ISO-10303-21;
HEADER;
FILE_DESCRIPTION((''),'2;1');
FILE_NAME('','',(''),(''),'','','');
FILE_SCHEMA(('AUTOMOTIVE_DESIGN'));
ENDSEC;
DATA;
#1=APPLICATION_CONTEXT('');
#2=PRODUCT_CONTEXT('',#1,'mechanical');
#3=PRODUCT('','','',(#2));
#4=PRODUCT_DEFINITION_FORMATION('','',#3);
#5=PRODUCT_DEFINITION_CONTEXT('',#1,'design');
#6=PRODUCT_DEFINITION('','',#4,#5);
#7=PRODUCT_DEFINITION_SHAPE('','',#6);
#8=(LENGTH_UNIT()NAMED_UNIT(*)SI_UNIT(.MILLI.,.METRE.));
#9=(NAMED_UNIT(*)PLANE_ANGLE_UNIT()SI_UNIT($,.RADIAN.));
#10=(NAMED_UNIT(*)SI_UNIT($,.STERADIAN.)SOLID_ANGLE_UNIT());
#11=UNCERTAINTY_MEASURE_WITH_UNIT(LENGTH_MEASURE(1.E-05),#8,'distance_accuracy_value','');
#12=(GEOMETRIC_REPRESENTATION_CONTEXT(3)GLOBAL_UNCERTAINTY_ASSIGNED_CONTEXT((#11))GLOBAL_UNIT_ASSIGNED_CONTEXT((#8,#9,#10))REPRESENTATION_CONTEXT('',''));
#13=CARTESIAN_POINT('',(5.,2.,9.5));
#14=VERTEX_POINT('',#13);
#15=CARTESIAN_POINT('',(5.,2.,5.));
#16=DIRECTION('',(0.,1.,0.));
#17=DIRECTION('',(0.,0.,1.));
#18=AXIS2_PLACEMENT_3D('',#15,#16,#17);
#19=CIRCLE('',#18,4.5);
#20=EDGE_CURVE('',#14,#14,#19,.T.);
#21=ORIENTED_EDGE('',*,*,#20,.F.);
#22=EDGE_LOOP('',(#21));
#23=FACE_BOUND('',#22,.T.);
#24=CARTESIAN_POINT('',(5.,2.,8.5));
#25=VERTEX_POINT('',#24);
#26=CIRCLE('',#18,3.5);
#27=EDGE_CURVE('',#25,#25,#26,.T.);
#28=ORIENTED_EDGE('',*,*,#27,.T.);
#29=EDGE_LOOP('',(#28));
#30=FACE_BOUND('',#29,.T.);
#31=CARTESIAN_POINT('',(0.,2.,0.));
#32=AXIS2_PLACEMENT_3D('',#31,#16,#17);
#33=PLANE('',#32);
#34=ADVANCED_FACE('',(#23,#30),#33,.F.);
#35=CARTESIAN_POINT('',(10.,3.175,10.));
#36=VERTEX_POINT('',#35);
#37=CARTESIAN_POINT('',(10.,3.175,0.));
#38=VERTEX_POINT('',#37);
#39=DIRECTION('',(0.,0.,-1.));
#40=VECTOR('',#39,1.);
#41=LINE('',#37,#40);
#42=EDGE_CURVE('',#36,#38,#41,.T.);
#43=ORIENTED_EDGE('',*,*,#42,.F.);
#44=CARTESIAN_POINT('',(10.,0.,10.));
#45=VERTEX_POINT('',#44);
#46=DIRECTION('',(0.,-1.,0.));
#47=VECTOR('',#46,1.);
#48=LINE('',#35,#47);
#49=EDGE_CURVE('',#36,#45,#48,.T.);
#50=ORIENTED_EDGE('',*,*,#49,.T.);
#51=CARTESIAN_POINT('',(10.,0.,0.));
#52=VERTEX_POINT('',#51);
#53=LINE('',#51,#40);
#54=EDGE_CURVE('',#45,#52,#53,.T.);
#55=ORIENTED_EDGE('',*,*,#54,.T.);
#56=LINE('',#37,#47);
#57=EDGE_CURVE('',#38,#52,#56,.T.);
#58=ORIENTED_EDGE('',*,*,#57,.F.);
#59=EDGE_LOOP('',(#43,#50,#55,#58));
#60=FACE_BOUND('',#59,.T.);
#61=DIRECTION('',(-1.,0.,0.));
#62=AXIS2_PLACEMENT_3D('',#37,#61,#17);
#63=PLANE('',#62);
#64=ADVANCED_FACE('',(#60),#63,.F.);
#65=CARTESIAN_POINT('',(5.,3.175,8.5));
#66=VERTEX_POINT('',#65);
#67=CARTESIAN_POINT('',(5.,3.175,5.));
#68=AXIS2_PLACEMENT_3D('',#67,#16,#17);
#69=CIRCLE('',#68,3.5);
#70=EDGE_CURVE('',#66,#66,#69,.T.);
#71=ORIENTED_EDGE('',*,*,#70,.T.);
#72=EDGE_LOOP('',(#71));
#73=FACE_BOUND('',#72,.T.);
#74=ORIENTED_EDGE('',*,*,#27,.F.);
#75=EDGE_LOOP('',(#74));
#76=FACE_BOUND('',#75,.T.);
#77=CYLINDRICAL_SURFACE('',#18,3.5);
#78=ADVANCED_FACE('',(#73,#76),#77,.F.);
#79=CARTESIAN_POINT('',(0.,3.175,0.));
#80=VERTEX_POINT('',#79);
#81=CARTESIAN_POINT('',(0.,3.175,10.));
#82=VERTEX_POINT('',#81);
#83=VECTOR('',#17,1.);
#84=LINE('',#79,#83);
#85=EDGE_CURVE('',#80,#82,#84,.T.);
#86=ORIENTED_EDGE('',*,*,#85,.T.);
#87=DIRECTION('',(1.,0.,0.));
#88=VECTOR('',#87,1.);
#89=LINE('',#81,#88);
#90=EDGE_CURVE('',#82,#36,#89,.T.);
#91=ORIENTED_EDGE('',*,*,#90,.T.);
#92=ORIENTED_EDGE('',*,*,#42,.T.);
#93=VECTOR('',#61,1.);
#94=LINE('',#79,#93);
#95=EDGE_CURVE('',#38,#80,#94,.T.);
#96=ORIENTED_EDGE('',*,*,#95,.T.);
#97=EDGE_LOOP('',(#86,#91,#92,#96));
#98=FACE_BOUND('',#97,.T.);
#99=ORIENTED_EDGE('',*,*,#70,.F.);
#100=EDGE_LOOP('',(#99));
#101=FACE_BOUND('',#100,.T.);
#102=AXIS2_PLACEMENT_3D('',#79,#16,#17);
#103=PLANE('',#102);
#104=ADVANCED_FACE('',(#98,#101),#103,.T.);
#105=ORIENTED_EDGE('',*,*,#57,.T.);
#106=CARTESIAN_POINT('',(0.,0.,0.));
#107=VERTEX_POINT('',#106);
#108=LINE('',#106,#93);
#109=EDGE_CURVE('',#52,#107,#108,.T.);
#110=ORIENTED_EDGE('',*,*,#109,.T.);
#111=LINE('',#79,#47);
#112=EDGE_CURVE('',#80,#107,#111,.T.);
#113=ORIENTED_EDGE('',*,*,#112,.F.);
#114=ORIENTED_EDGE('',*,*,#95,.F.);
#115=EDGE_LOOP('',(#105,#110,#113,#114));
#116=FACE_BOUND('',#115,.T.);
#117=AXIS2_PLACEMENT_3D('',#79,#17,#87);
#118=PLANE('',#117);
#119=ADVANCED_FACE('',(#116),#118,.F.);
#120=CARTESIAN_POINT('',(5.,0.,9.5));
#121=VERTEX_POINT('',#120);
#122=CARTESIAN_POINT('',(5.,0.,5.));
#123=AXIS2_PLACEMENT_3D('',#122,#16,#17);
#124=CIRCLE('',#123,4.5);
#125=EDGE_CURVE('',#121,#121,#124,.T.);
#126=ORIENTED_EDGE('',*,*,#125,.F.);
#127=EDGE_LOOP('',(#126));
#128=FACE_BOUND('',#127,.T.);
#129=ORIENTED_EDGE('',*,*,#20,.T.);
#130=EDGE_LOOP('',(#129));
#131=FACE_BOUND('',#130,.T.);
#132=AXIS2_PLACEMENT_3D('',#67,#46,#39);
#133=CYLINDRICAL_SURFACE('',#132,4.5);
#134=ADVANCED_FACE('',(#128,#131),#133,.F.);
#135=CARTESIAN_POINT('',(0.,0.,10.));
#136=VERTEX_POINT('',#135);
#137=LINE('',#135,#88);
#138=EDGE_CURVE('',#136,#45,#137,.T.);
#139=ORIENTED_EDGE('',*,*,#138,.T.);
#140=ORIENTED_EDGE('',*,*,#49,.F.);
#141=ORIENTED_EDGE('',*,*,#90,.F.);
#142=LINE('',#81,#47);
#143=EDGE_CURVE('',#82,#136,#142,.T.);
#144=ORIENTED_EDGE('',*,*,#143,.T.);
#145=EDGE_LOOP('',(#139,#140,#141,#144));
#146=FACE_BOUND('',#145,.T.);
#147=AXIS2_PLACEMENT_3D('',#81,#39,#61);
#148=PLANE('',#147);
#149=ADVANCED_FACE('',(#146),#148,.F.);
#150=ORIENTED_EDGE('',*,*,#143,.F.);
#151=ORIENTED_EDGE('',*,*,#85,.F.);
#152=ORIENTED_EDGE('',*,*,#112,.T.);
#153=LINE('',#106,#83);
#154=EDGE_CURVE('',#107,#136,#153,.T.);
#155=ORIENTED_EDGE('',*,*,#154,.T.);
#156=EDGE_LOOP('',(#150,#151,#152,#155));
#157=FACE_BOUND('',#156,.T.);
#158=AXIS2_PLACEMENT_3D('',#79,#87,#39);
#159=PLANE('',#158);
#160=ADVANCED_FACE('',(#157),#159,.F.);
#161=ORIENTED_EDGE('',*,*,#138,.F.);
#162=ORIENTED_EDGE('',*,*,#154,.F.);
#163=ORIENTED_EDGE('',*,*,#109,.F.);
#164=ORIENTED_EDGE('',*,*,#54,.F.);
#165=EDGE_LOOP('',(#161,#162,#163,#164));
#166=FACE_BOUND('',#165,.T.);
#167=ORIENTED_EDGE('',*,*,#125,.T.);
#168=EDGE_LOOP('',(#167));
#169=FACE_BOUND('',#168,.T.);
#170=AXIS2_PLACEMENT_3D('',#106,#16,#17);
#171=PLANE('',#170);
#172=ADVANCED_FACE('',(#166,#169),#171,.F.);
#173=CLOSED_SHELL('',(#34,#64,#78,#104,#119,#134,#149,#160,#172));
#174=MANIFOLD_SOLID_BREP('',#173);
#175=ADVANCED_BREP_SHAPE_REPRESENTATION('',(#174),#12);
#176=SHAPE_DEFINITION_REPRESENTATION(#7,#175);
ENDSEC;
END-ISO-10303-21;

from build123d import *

# Parameters (mm, degrees)
SKETCH1_W           = 10
SKETCH1_H           = 10
SKETCH1_R           = 4.5
BOSS_EXTRUDE1_DEPTH = 3.175
SKETCH2_W           = 10
SKETCH2_H           = 10
SKETCH2_R           = 3.5
BOSS_EXTRUDE2_DEPTH = 1.175


with BuildPart() as part:
    # Sketch1 → Boss-Extrude1 (new body)
    with BuildSketch(Plane(origin=(0, 0, 0), x_dir=(1, 0, 0), z_dir=(0, 1, 0))):
        with Locations((5, -5)):
            Rectangle(SKETCH1_W, SKETCH1_H)
        with Locations((5, -5)):
            Circle(SKETCH1_R, mode=Mode.SUBTRACT)
    extrude(amount=BOSS_EXTRUDE1_DEPTH)

    # Sketch2 → Boss-Extrude2 (add)
    with BuildSketch(Plane(origin=(0, 3.175, 0), x_dir=(1, 0, 0), z_dir=(0, 1, 0))):
        with Locations((5, -5)):
            Rectangle(SKETCH2_W, SKETCH2_H)
        with Locations((5, -5)):
            Circle(SKETCH2_R, mode=Mode.SUBTRACT)
    extrude(amount=-BOSS_EXTRUDE2_DEPTH)


solid = part.part
